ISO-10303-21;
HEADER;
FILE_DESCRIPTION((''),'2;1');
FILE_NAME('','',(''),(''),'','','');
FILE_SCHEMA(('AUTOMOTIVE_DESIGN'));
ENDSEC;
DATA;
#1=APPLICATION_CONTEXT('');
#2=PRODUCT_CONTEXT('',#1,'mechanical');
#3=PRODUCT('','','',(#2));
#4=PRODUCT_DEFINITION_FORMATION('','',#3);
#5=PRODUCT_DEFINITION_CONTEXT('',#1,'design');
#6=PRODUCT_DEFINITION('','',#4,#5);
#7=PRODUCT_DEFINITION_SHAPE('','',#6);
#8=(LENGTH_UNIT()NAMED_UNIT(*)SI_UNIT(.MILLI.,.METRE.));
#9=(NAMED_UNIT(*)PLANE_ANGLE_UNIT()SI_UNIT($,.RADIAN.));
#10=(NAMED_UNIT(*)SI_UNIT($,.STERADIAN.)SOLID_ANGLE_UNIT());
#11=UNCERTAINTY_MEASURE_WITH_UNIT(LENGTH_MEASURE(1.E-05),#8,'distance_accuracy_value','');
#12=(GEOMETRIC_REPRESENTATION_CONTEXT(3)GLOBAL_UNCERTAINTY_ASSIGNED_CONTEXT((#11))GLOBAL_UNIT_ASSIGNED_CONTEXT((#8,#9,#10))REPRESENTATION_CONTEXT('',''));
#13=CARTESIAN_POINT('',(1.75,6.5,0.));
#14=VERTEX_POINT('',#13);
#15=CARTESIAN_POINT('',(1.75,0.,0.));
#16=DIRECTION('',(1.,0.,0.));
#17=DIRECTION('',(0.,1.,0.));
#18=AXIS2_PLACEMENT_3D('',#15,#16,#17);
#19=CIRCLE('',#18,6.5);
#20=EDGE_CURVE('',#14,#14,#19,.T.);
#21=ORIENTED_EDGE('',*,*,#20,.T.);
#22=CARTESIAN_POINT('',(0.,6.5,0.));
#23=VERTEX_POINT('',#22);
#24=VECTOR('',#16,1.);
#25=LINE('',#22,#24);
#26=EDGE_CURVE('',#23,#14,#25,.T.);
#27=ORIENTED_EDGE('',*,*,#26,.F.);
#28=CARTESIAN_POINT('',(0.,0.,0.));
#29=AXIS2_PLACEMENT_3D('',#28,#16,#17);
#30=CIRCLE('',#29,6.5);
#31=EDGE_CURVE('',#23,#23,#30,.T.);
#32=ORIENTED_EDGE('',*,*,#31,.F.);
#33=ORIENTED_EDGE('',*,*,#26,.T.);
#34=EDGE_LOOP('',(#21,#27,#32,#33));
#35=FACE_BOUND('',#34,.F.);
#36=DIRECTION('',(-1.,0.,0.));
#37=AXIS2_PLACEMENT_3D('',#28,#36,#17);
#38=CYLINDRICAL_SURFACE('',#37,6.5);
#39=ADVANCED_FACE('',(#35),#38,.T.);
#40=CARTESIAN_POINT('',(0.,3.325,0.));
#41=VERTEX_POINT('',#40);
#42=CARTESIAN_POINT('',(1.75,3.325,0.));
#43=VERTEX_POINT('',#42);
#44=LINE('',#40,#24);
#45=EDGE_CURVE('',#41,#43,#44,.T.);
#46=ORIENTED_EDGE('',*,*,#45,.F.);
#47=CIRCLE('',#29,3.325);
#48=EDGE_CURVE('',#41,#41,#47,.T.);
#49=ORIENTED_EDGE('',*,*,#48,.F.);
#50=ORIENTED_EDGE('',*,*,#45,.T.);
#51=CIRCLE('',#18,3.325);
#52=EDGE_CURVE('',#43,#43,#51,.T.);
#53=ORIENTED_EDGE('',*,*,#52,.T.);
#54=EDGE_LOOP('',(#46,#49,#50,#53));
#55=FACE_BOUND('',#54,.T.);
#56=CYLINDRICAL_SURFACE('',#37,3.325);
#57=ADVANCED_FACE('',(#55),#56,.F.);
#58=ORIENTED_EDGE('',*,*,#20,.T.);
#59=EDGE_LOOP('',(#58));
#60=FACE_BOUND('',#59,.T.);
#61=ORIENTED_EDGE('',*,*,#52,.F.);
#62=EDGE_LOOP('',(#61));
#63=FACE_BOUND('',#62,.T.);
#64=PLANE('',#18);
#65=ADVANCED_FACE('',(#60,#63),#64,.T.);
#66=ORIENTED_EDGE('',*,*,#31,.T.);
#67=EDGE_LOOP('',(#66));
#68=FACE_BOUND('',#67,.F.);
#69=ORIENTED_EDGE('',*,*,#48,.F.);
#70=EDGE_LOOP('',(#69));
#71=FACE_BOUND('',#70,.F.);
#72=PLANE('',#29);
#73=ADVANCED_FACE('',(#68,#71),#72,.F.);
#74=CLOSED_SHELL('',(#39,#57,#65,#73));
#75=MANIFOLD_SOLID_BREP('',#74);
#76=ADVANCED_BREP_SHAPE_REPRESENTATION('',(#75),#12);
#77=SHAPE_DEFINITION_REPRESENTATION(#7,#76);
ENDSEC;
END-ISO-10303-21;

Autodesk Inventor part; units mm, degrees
ref_plane "YZ Plane" through (0, 0, 0) normal (1, 0, 0) x (0, 1, 0)
ref_plane "XZ Plane" through (0, 0, 0) normal (0, 1, 0) x (-1, 0, 0)
sketch "Szkic" plane through (0, 0, 0) normal (1, 0, 0) x (0, 1, 0)
  circle A0 centre (0, 0) radius 6.5
  circle A1 centre (0, 0) radius 3.325
  dimension "d0" = 6.65
  dimension "d1" = 13
extrude "Bryła" add sketch "Szkic" along normal blind 1.75
ref_plane "Work Plane1" through (0, 0, 0) normal (0, 0, 1) x (1, 0, 0)
equation "\"d0\" = SD1"
equation "\"d1\" = SD2"
equation "\"d2\" = SD"
equation "\"SD1\" = 6.65"
equation "\"SD2\" = 13"
equation "\"SD\" = 1.75"
equation "\"NND\" = 6"
properties part number "ANSI B18.22M - 6 N" material "Stal, miękka"
